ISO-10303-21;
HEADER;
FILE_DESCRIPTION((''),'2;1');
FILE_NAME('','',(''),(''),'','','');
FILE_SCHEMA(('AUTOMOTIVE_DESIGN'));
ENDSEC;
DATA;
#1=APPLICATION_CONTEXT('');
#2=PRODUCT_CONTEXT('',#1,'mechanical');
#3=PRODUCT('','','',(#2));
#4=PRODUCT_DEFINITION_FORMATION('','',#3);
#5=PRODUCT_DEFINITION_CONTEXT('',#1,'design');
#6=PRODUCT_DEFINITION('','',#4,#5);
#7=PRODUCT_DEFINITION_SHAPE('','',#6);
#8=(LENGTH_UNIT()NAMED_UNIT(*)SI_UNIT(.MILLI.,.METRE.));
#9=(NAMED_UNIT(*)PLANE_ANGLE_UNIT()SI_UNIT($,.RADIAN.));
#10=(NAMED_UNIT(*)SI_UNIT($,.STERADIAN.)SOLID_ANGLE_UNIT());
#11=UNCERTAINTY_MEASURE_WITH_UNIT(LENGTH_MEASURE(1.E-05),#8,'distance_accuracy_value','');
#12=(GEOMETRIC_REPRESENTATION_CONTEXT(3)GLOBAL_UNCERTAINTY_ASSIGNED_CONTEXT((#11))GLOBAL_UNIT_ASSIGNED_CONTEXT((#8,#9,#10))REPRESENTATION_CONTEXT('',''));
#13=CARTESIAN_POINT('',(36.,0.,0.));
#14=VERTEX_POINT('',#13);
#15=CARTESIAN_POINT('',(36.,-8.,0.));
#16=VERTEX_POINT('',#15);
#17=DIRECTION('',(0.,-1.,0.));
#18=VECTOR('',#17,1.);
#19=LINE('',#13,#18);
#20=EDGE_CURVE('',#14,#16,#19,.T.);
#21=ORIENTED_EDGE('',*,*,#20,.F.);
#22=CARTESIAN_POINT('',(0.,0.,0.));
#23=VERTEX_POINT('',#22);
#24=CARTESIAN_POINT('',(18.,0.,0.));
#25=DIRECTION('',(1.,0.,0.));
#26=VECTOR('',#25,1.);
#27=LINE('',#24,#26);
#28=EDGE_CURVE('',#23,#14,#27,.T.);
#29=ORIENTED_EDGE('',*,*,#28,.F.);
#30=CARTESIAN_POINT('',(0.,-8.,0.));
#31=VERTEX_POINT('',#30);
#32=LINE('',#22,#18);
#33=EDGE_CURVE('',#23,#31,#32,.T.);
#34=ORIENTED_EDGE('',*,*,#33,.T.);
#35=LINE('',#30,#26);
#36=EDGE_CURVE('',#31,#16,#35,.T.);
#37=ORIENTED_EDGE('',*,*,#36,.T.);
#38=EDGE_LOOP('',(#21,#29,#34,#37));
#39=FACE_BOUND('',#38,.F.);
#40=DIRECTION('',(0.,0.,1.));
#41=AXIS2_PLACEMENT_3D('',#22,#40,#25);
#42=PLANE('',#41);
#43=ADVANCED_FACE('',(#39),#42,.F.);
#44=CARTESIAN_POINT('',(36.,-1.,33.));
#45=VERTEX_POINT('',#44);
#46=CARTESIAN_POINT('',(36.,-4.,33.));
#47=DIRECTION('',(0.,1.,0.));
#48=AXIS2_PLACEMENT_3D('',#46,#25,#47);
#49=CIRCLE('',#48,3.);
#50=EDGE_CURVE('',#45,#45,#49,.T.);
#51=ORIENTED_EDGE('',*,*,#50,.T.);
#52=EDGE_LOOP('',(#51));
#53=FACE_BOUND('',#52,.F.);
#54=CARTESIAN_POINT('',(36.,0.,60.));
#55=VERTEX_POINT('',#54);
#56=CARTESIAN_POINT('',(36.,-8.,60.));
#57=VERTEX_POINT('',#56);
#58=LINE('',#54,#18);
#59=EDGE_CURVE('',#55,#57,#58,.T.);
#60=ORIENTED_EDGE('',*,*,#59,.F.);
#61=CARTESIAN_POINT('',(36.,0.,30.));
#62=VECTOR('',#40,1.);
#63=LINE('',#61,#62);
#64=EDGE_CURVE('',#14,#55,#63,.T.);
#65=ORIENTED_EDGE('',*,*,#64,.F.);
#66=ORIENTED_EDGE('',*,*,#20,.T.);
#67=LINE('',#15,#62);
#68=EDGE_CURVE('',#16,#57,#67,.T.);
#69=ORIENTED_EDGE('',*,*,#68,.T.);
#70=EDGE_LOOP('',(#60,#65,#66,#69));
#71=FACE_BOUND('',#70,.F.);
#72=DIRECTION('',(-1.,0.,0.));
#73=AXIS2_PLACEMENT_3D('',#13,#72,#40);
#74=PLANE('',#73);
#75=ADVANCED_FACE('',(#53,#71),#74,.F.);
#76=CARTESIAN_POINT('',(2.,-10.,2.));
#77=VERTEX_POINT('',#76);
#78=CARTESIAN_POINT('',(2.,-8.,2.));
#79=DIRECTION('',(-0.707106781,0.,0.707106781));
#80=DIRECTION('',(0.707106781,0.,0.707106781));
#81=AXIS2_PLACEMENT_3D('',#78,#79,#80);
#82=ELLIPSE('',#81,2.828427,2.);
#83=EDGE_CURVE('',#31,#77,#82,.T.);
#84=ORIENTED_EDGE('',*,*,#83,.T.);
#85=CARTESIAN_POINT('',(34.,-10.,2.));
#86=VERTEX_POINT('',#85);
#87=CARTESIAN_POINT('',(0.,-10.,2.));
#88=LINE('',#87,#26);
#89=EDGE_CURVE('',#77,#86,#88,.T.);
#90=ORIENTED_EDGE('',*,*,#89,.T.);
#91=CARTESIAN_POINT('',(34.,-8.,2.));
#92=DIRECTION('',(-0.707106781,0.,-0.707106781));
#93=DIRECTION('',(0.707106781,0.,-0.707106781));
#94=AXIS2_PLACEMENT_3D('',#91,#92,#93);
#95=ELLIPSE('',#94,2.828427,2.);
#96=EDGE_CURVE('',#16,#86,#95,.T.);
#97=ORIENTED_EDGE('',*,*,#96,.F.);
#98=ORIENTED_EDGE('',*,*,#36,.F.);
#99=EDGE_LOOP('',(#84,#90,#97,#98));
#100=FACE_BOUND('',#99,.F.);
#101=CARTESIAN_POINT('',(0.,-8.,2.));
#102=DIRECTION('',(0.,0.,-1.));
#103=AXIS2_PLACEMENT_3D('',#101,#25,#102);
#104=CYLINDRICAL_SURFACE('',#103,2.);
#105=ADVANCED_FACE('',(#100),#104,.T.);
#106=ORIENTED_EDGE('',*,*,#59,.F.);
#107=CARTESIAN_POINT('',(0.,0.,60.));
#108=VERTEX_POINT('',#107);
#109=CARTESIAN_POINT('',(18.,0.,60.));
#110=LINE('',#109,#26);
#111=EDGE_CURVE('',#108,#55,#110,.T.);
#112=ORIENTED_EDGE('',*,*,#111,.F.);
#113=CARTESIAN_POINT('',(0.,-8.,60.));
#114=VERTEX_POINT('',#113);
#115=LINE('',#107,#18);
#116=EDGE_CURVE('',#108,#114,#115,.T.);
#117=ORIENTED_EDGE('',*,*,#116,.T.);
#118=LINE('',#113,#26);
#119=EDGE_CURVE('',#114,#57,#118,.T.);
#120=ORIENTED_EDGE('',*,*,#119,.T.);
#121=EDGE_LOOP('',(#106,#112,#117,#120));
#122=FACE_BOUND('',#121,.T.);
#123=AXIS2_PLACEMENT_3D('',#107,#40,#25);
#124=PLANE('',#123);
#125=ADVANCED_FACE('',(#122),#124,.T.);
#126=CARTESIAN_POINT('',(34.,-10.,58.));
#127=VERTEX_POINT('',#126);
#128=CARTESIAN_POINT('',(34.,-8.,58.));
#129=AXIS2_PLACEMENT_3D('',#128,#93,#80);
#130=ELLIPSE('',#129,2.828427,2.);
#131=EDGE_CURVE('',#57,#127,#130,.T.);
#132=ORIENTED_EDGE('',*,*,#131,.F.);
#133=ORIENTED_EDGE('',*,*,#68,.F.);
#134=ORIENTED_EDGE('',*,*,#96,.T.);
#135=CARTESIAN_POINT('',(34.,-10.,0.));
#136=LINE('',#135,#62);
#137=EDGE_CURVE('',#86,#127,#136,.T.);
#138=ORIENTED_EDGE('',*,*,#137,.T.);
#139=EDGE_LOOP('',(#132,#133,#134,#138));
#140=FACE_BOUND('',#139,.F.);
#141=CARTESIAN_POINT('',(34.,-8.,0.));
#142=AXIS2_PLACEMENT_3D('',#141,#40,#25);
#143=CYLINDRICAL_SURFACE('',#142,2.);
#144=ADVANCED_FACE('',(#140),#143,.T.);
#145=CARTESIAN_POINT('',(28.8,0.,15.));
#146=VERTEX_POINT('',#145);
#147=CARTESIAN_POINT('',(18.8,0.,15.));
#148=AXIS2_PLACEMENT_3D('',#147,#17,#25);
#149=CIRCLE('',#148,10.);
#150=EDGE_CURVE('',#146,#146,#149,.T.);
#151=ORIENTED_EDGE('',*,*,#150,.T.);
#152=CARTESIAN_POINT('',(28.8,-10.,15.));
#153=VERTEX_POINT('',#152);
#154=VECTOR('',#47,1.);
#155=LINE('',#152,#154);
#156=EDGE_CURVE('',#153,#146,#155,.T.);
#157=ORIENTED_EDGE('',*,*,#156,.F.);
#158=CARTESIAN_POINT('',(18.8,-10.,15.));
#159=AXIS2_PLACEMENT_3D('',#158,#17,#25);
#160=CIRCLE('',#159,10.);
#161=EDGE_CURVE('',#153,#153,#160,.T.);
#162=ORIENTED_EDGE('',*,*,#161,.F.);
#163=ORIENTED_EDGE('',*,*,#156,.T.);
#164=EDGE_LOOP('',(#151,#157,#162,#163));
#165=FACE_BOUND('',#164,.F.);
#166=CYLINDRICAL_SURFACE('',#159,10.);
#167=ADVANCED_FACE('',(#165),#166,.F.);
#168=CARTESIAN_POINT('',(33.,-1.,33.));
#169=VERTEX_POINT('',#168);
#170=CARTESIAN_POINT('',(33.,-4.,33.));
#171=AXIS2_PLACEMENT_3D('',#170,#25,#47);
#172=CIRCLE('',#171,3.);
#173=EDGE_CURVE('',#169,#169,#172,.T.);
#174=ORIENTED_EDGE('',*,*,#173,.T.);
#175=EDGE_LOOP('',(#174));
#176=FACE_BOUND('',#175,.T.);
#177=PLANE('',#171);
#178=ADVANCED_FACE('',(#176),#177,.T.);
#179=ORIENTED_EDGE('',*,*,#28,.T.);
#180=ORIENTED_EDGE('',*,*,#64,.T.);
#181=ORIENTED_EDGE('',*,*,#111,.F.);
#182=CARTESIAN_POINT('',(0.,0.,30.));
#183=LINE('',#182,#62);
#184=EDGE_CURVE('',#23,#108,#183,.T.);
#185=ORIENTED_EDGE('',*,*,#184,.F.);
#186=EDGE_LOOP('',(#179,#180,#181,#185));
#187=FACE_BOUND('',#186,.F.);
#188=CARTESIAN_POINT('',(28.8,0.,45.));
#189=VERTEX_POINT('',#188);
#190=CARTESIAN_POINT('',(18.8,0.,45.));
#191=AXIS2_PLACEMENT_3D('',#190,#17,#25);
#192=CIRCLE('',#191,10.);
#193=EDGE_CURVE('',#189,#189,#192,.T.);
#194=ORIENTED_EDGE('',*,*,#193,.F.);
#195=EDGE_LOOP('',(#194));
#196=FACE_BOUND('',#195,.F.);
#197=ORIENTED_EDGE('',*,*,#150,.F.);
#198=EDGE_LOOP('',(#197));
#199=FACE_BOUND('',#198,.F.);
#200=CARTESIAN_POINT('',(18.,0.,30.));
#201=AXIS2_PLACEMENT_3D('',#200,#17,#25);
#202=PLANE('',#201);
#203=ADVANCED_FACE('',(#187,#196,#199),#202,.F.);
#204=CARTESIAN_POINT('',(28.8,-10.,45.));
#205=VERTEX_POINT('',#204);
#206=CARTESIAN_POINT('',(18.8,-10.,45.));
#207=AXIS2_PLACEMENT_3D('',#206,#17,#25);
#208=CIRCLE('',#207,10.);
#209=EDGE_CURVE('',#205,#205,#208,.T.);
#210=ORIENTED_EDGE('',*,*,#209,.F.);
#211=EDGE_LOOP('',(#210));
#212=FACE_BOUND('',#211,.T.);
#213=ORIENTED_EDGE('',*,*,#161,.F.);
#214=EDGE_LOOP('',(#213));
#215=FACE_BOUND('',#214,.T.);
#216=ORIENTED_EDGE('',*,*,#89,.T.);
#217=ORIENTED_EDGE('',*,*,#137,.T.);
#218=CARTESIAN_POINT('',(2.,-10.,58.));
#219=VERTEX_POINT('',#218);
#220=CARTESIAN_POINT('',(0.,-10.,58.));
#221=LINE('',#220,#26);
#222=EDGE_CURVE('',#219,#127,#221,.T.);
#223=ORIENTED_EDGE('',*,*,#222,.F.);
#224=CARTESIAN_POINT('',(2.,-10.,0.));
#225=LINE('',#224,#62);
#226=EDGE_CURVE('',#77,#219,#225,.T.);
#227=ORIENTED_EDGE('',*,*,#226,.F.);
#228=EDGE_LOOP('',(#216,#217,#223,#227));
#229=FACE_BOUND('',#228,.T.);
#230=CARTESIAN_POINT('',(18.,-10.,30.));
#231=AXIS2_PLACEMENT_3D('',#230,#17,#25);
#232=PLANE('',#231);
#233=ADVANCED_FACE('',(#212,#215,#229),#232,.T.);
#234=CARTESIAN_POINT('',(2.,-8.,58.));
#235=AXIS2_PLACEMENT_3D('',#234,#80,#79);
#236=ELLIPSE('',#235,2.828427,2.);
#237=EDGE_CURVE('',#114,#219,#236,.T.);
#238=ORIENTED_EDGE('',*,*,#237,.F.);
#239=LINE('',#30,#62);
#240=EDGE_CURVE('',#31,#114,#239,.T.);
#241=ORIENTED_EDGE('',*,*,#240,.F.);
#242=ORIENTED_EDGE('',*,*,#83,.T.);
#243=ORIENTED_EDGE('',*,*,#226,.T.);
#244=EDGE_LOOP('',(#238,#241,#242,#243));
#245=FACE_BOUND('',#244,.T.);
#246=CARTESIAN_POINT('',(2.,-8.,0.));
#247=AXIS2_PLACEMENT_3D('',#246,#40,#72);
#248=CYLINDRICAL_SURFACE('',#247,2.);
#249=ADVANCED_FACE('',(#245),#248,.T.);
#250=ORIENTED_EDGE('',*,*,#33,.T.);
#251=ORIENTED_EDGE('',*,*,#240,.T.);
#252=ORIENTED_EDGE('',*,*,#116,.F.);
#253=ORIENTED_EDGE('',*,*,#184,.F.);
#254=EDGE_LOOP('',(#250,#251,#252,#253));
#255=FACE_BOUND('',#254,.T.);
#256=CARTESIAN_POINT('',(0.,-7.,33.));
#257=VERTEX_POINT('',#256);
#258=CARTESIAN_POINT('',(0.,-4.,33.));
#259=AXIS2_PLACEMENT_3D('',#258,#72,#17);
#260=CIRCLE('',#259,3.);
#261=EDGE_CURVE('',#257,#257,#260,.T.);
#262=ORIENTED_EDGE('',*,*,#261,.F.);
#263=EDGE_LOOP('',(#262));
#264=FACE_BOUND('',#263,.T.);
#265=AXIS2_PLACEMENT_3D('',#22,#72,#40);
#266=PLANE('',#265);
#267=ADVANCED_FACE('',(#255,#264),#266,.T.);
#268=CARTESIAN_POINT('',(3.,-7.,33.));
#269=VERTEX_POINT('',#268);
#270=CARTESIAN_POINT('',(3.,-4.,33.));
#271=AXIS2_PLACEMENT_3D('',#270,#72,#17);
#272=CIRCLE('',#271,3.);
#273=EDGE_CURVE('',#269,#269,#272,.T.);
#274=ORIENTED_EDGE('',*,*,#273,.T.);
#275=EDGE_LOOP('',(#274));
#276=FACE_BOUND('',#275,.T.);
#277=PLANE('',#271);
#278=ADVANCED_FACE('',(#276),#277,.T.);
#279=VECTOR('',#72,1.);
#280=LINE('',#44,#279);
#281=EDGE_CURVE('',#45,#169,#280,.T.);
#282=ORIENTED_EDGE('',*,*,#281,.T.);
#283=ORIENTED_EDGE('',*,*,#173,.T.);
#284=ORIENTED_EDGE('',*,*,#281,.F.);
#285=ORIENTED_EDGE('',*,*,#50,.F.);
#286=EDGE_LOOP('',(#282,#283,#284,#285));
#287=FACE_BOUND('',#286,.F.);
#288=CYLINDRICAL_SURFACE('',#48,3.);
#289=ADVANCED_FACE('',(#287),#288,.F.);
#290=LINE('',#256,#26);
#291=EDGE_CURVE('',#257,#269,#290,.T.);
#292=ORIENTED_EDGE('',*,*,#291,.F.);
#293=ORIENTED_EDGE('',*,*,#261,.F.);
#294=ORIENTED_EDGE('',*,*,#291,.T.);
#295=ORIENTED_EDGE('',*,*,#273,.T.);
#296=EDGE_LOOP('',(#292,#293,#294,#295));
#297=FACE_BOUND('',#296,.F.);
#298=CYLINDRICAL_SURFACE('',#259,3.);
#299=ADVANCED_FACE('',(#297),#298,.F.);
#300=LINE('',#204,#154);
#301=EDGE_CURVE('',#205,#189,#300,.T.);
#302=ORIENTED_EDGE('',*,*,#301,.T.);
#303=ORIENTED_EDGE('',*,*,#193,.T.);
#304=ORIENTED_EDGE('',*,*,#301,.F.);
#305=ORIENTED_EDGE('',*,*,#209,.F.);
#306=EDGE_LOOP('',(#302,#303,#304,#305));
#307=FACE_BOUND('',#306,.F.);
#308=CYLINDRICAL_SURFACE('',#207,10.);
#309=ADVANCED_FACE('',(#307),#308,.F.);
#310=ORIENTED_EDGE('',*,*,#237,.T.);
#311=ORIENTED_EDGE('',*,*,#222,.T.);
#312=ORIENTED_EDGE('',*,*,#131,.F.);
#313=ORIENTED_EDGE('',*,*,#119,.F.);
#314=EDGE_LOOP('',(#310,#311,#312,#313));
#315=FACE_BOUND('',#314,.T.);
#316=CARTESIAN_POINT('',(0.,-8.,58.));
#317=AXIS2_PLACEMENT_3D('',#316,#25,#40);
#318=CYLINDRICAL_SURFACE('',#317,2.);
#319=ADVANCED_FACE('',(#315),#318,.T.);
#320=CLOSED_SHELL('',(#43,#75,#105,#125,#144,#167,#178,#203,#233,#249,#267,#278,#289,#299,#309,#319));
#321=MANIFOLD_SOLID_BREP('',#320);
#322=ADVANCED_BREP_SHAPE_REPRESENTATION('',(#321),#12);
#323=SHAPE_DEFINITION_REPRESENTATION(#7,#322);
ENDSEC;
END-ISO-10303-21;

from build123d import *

# Parameters (mm, degrees)
F0_W     = 36
F0_H     = 60
F1_DEPTH = 10
F2_R     = 2
F3_R     = 10
F4_DEPTH = 25
F5_R     = 3
F6_DEPTH = 3
F7_R     = 3
F8_DEPTH = 3


with BuildPart() as f1:
    # F0 (on Front) → F1 (new body)
    with BuildSketch(Plane.XZ):
        with Locations((18, 30)):
            Rectangle(F0_W, F0_H)
    extrude(amount=F1_DEPTH)

    # F2
    f2_edges = [f1.edges().sort_by_distance(p)[0] for p in [
        (0, -10, 30),
        (18, -10, 0),
        (36, -10, 30),
        (18, -10, 60),
    ]]
    fillet(f2_edges, radius=F2_R)

    # F3 (on face) → F4 (cut)
    with BuildSketch(Plane.XZ.offset(10)):
        with Locations((18.8, 15)):
            Circle(F3_R)
        with Locations((18.8, 45)):
            Circle(F3_R)
    extrude(amount=-F4_DEPTH, mode=Mode.SUBTRACT)

    # F5 (on face) → F6 (cut)
    with BuildSketch(Plane.YZ.offset(36)):
        with Locations((-4, 33)):
            Circle(F5_R)
    extrude(amount=-F6_DEPTH, mode=Mode.SUBTRACT)

    # F7 (on face) → F8 (cut)
    with BuildSketch(Plane(origin=(0, 0, 0), x_dir=(0, -1, 0), z_dir=(-1, 0, 0))):
        with Locations((4, 33)):
            Circle(F7_R)
    extrude(amount=-F8_DEPTH, mode=Mode.SUBTRACT)


solid = f1.part
